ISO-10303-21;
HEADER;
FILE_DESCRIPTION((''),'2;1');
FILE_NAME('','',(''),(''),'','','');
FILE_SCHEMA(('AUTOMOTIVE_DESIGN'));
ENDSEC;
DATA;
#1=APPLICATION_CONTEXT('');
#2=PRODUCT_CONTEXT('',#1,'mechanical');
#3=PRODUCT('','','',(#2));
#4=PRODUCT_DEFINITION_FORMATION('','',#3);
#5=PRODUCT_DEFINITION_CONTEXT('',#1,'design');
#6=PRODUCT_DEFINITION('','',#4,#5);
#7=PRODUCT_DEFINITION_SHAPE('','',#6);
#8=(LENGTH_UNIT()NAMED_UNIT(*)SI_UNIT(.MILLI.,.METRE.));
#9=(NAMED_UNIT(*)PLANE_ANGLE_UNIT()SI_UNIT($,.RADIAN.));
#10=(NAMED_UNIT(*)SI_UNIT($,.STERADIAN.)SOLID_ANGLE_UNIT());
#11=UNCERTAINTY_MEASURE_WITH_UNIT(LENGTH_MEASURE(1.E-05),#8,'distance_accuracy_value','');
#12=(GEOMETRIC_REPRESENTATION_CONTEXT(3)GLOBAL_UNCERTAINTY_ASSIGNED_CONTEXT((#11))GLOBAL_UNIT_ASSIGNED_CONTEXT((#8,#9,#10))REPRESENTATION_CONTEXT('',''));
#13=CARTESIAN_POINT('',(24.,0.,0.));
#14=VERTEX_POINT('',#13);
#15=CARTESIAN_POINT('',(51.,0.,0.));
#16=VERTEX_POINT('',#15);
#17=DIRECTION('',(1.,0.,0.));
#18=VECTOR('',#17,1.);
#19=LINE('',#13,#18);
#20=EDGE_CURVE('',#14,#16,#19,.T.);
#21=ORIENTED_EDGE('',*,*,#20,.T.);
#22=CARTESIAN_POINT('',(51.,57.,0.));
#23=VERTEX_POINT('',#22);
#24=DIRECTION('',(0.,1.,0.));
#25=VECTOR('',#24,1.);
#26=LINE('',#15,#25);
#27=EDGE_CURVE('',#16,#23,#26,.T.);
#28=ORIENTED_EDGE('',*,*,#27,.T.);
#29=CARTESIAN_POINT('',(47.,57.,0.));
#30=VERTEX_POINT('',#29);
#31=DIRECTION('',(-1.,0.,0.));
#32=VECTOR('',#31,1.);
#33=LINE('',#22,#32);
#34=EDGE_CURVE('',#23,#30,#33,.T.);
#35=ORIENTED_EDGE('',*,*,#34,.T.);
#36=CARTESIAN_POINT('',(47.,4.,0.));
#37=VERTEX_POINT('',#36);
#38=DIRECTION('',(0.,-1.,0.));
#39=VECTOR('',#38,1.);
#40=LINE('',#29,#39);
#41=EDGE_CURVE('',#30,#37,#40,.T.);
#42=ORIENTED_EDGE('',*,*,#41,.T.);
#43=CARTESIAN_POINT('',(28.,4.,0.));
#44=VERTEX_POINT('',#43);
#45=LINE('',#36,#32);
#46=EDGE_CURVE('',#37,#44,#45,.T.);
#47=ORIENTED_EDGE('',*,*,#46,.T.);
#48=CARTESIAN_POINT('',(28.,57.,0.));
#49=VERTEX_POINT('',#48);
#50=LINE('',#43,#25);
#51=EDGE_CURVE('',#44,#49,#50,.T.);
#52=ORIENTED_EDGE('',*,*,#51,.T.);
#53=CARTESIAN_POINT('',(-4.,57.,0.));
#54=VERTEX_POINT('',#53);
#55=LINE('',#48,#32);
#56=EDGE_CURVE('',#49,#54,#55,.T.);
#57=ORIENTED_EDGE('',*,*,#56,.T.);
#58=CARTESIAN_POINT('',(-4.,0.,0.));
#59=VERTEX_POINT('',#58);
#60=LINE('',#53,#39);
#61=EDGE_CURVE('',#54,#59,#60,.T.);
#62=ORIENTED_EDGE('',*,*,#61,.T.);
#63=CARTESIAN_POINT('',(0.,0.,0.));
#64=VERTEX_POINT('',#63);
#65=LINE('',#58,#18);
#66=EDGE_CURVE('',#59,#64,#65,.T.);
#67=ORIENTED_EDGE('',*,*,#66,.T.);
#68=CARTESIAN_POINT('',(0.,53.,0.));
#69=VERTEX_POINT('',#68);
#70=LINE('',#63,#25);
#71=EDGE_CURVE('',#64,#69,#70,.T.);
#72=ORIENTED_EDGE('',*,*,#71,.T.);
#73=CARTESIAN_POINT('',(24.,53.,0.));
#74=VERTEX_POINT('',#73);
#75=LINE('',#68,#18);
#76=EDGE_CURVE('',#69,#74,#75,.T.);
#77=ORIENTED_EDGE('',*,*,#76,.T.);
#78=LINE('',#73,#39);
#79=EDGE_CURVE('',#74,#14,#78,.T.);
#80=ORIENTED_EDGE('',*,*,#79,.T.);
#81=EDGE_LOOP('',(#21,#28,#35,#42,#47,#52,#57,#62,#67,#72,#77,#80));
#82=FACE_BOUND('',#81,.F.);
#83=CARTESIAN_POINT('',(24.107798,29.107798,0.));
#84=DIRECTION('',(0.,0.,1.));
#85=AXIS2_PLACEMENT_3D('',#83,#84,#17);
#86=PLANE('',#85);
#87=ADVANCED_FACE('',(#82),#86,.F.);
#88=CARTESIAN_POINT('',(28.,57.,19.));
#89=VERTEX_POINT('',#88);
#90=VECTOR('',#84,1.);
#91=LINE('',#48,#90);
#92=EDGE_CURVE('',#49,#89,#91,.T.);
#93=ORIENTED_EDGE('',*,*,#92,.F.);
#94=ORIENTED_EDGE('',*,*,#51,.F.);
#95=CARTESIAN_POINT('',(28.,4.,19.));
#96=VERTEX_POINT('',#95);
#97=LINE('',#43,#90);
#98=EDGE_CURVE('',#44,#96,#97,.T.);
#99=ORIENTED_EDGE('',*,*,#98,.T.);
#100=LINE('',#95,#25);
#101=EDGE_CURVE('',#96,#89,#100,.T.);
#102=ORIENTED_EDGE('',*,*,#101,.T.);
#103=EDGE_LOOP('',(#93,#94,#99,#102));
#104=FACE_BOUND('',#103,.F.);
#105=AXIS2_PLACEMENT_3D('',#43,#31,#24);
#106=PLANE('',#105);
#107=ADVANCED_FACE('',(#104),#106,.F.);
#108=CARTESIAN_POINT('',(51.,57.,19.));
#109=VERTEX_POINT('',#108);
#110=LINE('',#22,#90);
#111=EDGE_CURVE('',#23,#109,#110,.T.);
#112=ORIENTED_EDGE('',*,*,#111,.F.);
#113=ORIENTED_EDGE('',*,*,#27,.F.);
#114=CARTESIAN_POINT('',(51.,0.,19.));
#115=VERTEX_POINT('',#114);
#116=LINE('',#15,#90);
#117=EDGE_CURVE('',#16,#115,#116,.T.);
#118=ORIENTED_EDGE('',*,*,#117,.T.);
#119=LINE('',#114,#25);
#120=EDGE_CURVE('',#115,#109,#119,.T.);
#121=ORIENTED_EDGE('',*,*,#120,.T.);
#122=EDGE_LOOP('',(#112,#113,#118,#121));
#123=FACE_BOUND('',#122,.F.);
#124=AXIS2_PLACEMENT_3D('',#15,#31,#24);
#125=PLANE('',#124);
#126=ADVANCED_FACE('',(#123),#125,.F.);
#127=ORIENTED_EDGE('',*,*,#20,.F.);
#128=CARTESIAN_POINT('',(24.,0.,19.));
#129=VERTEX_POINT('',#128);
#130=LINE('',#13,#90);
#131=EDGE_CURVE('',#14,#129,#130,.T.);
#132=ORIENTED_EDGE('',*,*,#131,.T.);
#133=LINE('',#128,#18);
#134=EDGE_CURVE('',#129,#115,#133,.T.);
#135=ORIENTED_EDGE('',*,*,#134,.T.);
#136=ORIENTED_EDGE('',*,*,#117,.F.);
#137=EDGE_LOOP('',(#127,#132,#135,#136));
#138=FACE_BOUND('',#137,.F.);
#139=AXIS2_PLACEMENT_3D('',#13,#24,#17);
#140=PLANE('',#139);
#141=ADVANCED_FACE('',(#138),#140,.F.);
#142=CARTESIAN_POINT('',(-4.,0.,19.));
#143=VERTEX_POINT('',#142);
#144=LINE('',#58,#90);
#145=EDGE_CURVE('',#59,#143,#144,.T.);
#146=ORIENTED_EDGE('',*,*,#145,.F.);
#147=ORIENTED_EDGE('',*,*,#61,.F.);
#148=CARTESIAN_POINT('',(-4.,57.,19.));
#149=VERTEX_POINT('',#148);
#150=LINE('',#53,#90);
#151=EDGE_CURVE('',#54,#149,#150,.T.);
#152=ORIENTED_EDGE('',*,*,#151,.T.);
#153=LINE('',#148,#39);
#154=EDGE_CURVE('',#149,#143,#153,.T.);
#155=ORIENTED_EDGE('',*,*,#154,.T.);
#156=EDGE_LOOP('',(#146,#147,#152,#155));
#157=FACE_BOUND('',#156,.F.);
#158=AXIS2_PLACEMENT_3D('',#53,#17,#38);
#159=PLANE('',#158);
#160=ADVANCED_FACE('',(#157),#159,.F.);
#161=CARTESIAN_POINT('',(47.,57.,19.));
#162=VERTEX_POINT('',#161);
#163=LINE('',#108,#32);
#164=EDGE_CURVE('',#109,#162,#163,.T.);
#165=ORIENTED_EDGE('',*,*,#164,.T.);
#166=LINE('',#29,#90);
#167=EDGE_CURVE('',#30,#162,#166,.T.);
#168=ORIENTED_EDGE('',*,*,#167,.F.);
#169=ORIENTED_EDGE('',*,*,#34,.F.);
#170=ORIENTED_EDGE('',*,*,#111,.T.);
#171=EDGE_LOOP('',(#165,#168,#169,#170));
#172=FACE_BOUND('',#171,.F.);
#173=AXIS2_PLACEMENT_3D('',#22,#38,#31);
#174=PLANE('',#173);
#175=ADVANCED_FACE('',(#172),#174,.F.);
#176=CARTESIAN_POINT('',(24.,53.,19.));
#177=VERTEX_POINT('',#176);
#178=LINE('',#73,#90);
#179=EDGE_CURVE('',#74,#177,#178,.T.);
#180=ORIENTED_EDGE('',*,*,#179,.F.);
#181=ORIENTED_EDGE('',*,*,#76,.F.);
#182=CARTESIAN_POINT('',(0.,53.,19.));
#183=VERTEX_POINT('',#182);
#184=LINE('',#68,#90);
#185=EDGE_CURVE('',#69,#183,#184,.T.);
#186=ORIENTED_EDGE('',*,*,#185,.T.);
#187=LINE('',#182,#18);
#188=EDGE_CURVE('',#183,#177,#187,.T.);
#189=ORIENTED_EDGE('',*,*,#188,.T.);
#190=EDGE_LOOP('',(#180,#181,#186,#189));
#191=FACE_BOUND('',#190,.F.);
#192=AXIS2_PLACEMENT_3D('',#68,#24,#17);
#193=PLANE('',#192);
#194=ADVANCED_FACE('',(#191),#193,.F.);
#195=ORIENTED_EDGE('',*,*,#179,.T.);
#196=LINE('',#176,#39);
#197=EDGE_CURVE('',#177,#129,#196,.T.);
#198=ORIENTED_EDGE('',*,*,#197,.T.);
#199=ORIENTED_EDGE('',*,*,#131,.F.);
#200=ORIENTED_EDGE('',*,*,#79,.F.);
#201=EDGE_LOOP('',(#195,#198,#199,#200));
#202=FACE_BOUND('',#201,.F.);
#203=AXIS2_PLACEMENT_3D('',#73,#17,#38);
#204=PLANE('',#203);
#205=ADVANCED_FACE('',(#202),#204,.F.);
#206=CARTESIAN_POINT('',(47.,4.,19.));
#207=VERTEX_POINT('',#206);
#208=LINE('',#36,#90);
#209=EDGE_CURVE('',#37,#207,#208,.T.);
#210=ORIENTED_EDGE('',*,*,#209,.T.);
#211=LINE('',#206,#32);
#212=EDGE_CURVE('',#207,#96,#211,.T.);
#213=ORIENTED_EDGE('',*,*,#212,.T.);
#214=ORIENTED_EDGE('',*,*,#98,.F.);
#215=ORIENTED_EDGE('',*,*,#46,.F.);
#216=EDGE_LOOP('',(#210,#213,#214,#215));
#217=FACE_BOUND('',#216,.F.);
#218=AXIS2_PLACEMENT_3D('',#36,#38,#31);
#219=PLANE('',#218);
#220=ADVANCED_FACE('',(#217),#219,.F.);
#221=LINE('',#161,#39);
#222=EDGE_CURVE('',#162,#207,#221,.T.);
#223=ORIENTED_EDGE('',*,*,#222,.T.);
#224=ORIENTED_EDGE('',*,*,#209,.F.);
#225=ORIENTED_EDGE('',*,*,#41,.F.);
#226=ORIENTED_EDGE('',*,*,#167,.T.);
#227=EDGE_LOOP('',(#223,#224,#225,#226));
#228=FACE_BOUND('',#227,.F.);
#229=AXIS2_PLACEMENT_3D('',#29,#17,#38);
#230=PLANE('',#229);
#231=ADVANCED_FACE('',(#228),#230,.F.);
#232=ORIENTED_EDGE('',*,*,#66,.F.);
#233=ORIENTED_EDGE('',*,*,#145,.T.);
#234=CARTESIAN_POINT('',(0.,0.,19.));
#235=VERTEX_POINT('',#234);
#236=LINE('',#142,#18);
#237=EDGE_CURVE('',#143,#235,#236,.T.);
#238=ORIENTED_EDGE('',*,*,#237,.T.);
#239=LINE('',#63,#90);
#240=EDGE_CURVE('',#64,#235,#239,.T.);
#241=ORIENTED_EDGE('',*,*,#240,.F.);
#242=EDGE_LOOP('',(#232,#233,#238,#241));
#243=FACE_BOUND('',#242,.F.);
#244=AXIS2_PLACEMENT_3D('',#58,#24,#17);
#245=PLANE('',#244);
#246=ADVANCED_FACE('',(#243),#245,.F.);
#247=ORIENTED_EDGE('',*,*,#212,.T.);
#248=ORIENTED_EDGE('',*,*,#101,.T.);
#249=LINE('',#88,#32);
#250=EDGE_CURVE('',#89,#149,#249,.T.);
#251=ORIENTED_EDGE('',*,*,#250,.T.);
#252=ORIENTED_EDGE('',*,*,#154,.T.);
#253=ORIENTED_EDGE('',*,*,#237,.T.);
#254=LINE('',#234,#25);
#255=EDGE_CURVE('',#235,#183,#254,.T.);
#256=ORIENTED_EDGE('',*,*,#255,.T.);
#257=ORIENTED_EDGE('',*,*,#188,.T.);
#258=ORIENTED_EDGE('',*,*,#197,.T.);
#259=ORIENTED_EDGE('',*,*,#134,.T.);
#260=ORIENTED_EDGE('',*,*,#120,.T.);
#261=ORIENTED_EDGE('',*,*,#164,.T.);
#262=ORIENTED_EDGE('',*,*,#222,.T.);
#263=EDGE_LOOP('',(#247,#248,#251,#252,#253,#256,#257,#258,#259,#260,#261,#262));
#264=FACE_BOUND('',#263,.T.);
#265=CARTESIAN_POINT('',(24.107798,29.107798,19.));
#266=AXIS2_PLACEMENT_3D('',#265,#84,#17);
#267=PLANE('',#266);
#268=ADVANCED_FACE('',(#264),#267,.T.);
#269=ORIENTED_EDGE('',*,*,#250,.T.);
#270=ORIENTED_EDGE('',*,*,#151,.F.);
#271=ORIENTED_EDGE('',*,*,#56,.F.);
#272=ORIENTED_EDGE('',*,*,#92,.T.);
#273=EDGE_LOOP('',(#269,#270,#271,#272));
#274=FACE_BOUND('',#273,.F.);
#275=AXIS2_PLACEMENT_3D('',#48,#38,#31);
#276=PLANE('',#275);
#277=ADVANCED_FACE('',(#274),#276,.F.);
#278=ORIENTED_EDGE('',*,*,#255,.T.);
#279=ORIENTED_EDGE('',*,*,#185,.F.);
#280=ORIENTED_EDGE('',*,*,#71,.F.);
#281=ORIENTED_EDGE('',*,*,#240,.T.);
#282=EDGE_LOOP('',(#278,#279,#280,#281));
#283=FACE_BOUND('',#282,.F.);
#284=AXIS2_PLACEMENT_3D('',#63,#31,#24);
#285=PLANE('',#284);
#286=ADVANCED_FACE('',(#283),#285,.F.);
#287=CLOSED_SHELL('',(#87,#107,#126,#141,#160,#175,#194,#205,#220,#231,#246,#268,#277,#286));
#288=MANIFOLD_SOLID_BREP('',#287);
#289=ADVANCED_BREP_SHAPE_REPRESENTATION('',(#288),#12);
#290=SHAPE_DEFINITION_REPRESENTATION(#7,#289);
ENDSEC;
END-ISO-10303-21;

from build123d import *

# Parameters (mm, degrees)
PAD_DEPTH = 19


with BuildPart() as part:
    # Sketch → Pad (new body)
    with BuildSketch(Plane.XY):
        Polygon((0, 0), (0, 53), (24, 53), (24, 0), (51, 0), (51, 57), (47, 57), (47, 4), (28, 4), (28, 57), (-4, 57), (-4, 0), align=None)
    extrude(amount=PAD_DEPTH)


solid = part.part
